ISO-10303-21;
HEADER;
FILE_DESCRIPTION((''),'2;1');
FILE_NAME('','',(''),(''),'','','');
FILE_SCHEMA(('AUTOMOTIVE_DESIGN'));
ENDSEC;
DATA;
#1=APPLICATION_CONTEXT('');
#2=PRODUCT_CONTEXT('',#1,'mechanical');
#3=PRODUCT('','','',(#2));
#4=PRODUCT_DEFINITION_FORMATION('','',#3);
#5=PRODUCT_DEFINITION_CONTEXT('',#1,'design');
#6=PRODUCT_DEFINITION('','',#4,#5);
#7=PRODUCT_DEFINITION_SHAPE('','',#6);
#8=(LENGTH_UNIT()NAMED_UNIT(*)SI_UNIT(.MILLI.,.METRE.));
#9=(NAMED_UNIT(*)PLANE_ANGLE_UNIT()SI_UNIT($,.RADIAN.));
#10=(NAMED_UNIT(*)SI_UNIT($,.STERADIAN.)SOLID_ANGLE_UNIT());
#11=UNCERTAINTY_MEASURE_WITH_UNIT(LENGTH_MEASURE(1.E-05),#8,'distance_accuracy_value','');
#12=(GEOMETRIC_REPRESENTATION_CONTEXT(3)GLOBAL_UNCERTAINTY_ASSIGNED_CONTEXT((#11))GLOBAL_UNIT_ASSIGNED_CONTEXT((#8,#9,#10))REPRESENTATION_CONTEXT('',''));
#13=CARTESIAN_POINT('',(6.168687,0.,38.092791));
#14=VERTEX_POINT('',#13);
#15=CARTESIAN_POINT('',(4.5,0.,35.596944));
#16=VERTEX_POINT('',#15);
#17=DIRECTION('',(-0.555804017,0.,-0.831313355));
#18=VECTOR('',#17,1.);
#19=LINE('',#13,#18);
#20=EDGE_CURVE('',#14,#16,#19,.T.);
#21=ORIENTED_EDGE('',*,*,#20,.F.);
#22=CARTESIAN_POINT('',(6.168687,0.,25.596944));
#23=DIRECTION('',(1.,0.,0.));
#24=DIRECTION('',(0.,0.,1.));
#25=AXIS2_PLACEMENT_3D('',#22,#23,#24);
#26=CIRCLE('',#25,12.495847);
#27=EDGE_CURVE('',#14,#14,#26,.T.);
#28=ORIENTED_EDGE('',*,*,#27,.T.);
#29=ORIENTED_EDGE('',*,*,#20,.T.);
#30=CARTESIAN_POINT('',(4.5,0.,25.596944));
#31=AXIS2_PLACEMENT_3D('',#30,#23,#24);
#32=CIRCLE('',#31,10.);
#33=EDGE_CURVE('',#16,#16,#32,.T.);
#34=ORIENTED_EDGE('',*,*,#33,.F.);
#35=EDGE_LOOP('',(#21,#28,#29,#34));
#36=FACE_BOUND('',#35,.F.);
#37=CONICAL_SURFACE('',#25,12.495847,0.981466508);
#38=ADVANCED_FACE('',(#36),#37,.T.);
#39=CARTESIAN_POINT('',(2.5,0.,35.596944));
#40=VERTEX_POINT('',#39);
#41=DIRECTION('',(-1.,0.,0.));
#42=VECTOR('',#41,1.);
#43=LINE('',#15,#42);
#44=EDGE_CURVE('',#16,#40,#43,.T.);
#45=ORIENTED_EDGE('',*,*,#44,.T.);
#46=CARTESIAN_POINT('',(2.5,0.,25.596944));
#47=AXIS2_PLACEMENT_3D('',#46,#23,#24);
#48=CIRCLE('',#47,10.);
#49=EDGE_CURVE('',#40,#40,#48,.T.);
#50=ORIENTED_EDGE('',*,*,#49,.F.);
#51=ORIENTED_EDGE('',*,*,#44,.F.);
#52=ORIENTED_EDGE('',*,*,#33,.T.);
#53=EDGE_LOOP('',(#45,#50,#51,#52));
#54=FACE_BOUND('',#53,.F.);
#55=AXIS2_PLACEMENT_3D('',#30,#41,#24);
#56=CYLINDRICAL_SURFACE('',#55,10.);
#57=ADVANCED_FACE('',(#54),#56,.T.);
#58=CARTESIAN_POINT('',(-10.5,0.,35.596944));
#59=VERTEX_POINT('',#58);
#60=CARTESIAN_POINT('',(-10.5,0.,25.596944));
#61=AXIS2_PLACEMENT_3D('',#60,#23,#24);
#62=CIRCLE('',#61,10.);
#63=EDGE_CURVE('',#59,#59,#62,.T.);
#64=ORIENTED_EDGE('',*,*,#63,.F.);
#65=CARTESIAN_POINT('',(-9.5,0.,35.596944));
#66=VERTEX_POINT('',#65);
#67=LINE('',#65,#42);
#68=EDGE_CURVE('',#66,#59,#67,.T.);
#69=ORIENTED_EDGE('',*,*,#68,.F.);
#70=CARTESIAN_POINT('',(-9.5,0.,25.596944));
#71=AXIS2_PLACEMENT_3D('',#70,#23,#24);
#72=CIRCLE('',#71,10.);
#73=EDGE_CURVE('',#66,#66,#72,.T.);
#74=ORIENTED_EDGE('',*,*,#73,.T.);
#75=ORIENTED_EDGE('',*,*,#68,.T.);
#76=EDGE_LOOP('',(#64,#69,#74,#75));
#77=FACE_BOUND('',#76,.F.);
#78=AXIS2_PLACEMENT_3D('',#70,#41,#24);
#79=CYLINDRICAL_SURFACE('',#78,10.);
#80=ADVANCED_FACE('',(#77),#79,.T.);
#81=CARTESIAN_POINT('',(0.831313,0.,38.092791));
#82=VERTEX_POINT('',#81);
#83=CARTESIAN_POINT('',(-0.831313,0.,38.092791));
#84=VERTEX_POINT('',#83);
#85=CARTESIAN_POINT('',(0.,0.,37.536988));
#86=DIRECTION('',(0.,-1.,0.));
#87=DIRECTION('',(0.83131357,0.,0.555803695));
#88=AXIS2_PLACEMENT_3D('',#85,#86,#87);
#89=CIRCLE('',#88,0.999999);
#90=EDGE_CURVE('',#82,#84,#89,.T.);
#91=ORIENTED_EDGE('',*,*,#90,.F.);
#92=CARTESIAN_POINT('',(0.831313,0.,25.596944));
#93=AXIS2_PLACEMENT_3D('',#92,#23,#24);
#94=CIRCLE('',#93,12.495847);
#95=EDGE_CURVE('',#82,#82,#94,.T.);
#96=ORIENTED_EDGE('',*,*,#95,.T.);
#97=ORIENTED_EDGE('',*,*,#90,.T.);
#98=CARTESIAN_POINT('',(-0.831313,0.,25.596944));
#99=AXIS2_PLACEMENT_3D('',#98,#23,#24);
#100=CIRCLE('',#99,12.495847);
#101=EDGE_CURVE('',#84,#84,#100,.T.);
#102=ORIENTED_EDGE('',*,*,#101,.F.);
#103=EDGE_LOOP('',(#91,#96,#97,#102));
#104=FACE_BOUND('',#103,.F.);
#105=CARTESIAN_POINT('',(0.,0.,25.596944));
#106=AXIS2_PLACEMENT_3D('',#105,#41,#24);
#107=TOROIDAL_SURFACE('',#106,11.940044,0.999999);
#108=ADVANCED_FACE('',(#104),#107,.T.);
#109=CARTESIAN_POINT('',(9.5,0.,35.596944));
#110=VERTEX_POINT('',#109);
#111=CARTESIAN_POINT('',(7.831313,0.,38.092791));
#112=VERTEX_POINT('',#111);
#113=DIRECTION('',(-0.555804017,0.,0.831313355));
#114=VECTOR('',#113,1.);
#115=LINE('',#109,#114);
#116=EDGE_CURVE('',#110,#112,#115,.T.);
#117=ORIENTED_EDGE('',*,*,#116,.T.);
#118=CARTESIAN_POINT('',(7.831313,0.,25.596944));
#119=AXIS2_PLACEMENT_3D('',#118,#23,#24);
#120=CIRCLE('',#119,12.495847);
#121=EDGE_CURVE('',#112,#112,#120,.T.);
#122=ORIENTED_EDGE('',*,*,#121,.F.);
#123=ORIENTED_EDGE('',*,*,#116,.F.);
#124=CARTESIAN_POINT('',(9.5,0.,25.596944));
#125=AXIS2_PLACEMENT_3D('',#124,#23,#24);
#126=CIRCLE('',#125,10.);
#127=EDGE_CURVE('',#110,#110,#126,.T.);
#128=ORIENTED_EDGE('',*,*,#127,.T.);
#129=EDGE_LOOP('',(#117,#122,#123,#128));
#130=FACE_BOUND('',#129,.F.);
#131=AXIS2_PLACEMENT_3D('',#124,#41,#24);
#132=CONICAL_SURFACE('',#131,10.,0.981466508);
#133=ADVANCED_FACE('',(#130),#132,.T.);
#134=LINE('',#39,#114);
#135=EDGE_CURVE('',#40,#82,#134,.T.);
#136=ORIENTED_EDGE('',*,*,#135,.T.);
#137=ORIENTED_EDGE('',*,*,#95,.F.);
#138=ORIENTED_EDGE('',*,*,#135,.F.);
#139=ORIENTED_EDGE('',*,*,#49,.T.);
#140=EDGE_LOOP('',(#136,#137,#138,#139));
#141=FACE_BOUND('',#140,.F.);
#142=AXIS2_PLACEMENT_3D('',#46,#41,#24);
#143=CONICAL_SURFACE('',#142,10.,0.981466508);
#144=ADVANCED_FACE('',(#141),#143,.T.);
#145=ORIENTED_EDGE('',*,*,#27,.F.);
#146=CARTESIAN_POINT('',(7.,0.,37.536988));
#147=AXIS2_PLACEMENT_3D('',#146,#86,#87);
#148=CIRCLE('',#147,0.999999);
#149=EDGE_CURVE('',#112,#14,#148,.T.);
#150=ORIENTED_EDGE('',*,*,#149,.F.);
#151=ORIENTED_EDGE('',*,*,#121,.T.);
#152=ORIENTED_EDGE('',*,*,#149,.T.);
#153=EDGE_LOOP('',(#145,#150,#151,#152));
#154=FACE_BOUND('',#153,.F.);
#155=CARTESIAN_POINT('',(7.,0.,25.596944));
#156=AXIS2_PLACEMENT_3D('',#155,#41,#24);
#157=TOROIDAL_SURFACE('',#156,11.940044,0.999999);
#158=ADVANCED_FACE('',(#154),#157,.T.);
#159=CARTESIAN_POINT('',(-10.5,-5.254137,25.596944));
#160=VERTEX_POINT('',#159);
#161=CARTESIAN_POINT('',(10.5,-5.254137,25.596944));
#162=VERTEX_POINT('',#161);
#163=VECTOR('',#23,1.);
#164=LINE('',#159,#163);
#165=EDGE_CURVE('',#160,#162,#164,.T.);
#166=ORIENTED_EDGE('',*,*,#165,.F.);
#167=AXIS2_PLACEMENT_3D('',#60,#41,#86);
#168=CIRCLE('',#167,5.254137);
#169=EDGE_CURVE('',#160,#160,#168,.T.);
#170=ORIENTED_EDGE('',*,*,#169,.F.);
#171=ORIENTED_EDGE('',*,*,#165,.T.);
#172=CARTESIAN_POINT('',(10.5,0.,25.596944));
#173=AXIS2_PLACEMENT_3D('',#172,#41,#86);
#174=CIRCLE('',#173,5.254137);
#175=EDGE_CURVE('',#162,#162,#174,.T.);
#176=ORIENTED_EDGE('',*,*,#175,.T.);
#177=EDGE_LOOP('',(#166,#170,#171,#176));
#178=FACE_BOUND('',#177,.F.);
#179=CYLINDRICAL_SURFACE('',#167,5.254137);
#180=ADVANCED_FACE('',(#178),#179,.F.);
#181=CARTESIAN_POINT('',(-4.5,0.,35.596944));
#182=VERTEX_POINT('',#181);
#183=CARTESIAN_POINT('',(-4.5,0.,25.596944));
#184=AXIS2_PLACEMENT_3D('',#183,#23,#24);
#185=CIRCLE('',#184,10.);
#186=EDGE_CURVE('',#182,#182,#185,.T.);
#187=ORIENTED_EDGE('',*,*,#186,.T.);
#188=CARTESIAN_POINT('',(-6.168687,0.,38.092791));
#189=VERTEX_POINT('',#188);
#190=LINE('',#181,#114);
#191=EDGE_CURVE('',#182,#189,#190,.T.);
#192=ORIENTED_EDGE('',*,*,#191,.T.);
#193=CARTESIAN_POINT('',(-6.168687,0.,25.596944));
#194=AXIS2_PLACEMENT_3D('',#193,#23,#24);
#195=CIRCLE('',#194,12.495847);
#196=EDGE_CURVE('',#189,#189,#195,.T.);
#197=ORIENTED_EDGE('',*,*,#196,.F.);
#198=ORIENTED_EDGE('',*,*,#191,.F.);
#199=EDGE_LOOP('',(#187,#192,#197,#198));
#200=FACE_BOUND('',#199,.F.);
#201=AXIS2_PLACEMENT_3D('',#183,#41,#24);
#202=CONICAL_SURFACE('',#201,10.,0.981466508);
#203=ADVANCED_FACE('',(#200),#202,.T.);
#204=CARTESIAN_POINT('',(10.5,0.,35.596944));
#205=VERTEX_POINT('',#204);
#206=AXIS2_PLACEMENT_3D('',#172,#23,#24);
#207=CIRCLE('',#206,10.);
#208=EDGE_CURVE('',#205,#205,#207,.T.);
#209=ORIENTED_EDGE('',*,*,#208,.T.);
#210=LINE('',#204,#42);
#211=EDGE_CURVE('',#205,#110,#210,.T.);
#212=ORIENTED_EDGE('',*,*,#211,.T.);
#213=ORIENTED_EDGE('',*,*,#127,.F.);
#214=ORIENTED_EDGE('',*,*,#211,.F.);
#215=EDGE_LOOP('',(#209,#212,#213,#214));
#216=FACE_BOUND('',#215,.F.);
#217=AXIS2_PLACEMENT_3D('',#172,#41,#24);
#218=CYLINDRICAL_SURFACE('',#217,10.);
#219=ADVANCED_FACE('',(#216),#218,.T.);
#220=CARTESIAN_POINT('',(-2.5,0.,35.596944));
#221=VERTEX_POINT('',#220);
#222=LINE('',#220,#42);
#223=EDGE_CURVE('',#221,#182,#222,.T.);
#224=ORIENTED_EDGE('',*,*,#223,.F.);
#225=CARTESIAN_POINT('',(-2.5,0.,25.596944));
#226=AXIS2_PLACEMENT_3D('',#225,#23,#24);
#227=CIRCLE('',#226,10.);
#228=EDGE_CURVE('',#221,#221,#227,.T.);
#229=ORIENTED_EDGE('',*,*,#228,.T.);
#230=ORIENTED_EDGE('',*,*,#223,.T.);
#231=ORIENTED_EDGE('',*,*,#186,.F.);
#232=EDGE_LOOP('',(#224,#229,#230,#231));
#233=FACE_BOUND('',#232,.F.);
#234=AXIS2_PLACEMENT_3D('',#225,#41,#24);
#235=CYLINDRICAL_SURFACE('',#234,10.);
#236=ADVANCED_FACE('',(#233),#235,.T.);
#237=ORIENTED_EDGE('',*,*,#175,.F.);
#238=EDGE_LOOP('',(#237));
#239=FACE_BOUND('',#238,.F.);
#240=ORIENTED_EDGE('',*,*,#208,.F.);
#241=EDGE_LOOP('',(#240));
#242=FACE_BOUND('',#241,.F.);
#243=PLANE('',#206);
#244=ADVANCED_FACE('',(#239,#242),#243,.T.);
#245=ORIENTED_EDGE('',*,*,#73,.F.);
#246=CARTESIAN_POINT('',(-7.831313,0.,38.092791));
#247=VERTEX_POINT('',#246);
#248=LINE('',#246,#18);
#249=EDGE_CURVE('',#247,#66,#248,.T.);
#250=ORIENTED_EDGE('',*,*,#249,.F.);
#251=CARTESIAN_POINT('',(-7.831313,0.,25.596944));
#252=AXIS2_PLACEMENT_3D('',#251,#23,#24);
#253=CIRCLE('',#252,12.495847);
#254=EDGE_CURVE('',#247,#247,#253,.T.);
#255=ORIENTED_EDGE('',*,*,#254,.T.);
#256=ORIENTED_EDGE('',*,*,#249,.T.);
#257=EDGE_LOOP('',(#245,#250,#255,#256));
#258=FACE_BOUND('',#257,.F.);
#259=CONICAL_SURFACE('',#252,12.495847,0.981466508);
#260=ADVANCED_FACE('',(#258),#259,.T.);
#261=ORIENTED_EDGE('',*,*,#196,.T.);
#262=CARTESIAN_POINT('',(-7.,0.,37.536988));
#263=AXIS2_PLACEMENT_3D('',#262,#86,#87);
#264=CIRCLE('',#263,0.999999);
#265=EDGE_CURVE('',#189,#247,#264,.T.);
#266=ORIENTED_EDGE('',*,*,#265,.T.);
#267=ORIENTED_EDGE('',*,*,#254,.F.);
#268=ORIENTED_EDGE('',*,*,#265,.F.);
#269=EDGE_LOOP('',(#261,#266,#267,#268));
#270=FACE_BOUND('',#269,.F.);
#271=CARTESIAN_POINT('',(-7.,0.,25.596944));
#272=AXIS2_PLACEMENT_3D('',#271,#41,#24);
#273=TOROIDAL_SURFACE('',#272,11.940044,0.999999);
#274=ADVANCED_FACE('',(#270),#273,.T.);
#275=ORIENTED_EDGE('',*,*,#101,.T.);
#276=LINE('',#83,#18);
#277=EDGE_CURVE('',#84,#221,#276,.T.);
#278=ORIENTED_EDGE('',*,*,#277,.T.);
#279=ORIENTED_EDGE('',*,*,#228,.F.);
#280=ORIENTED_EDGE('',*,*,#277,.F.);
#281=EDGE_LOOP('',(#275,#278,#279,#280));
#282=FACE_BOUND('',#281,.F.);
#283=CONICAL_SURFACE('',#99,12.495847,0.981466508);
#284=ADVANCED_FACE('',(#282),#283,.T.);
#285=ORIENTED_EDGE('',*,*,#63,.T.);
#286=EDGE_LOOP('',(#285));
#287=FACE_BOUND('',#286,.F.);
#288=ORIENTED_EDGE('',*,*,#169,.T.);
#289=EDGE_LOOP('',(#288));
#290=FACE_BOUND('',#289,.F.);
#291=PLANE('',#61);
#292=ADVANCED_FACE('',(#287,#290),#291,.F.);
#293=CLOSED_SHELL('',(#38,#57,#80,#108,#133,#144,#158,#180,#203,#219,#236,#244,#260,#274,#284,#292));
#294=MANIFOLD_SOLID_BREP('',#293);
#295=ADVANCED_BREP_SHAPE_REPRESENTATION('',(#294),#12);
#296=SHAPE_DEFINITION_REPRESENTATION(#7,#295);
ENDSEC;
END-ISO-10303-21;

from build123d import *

# Parameters (mm, degrees)
F2_R     = 5.254137
F3_DEPTH = 21.001


with BuildPart() as f1:
    # F0 (on Front) → F1 (revolve)
    with BuildSketch(Plane.XZ):
        with BuildLine():
            Line((-10.5, 35.596944), (-10.5, 25.596944))
            Line((-10.5, 25.596944), (10.5, 25.596944))
            Line((10.5, 25.596944), (10.5, 35.596944))
            Line((10.5, 35.596944), (9.5, 35.596944))
            Line((9.5, 35.596944), (7.831313, 38.092791))
            ThreePointArc((7.831313, 38.092791), (7, 38.536987), (6.168687, 38.092791))
            Line((6.168687, 38.092791), (4.5, 35.596944))
            Line((4.5, 35.596944), (2.5, 35.596944))
            Line((2.5, 35.596944), (0.831313, 38.092791))
            ThreePointArc((0.831313, 38.092791), (0, 38.536987), (-0.831313, 38.092791))
            Line((-0.831313, 38.092791), (-2.5, 35.596944))
            Line((-2.5, 35.596944), (-4.5, 35.596944))
            Line((-4.5, 35.596944), (-6.168687, 38.092791))
            ThreePointArc((-6.168687, 38.092791), (-7, 38.536987), (-7.831313, 38.092791))
            Line((-7.831313, 38.092791), (-9.5, 35.596944))
            Line((-9.5, 35.596944), (-10.5, 35.596944))
        make_face()
    revolve(axis=Axis((0, 0, 25.596944), (1, 0, 0)))

    # F2 (on face) → F3 (cut, through all)
    with BuildSketch(Plane(origin=(-10.5, 0, 0), x_dir=(0, -1, 0), z_dir=(-1, 0, 0))):
        with Locations((0, 25.596944)):
            Circle(F2_R)
    extrude(amount=-F3_DEPTH, mode=Mode.SUBTRACT)


solid = f1.part
